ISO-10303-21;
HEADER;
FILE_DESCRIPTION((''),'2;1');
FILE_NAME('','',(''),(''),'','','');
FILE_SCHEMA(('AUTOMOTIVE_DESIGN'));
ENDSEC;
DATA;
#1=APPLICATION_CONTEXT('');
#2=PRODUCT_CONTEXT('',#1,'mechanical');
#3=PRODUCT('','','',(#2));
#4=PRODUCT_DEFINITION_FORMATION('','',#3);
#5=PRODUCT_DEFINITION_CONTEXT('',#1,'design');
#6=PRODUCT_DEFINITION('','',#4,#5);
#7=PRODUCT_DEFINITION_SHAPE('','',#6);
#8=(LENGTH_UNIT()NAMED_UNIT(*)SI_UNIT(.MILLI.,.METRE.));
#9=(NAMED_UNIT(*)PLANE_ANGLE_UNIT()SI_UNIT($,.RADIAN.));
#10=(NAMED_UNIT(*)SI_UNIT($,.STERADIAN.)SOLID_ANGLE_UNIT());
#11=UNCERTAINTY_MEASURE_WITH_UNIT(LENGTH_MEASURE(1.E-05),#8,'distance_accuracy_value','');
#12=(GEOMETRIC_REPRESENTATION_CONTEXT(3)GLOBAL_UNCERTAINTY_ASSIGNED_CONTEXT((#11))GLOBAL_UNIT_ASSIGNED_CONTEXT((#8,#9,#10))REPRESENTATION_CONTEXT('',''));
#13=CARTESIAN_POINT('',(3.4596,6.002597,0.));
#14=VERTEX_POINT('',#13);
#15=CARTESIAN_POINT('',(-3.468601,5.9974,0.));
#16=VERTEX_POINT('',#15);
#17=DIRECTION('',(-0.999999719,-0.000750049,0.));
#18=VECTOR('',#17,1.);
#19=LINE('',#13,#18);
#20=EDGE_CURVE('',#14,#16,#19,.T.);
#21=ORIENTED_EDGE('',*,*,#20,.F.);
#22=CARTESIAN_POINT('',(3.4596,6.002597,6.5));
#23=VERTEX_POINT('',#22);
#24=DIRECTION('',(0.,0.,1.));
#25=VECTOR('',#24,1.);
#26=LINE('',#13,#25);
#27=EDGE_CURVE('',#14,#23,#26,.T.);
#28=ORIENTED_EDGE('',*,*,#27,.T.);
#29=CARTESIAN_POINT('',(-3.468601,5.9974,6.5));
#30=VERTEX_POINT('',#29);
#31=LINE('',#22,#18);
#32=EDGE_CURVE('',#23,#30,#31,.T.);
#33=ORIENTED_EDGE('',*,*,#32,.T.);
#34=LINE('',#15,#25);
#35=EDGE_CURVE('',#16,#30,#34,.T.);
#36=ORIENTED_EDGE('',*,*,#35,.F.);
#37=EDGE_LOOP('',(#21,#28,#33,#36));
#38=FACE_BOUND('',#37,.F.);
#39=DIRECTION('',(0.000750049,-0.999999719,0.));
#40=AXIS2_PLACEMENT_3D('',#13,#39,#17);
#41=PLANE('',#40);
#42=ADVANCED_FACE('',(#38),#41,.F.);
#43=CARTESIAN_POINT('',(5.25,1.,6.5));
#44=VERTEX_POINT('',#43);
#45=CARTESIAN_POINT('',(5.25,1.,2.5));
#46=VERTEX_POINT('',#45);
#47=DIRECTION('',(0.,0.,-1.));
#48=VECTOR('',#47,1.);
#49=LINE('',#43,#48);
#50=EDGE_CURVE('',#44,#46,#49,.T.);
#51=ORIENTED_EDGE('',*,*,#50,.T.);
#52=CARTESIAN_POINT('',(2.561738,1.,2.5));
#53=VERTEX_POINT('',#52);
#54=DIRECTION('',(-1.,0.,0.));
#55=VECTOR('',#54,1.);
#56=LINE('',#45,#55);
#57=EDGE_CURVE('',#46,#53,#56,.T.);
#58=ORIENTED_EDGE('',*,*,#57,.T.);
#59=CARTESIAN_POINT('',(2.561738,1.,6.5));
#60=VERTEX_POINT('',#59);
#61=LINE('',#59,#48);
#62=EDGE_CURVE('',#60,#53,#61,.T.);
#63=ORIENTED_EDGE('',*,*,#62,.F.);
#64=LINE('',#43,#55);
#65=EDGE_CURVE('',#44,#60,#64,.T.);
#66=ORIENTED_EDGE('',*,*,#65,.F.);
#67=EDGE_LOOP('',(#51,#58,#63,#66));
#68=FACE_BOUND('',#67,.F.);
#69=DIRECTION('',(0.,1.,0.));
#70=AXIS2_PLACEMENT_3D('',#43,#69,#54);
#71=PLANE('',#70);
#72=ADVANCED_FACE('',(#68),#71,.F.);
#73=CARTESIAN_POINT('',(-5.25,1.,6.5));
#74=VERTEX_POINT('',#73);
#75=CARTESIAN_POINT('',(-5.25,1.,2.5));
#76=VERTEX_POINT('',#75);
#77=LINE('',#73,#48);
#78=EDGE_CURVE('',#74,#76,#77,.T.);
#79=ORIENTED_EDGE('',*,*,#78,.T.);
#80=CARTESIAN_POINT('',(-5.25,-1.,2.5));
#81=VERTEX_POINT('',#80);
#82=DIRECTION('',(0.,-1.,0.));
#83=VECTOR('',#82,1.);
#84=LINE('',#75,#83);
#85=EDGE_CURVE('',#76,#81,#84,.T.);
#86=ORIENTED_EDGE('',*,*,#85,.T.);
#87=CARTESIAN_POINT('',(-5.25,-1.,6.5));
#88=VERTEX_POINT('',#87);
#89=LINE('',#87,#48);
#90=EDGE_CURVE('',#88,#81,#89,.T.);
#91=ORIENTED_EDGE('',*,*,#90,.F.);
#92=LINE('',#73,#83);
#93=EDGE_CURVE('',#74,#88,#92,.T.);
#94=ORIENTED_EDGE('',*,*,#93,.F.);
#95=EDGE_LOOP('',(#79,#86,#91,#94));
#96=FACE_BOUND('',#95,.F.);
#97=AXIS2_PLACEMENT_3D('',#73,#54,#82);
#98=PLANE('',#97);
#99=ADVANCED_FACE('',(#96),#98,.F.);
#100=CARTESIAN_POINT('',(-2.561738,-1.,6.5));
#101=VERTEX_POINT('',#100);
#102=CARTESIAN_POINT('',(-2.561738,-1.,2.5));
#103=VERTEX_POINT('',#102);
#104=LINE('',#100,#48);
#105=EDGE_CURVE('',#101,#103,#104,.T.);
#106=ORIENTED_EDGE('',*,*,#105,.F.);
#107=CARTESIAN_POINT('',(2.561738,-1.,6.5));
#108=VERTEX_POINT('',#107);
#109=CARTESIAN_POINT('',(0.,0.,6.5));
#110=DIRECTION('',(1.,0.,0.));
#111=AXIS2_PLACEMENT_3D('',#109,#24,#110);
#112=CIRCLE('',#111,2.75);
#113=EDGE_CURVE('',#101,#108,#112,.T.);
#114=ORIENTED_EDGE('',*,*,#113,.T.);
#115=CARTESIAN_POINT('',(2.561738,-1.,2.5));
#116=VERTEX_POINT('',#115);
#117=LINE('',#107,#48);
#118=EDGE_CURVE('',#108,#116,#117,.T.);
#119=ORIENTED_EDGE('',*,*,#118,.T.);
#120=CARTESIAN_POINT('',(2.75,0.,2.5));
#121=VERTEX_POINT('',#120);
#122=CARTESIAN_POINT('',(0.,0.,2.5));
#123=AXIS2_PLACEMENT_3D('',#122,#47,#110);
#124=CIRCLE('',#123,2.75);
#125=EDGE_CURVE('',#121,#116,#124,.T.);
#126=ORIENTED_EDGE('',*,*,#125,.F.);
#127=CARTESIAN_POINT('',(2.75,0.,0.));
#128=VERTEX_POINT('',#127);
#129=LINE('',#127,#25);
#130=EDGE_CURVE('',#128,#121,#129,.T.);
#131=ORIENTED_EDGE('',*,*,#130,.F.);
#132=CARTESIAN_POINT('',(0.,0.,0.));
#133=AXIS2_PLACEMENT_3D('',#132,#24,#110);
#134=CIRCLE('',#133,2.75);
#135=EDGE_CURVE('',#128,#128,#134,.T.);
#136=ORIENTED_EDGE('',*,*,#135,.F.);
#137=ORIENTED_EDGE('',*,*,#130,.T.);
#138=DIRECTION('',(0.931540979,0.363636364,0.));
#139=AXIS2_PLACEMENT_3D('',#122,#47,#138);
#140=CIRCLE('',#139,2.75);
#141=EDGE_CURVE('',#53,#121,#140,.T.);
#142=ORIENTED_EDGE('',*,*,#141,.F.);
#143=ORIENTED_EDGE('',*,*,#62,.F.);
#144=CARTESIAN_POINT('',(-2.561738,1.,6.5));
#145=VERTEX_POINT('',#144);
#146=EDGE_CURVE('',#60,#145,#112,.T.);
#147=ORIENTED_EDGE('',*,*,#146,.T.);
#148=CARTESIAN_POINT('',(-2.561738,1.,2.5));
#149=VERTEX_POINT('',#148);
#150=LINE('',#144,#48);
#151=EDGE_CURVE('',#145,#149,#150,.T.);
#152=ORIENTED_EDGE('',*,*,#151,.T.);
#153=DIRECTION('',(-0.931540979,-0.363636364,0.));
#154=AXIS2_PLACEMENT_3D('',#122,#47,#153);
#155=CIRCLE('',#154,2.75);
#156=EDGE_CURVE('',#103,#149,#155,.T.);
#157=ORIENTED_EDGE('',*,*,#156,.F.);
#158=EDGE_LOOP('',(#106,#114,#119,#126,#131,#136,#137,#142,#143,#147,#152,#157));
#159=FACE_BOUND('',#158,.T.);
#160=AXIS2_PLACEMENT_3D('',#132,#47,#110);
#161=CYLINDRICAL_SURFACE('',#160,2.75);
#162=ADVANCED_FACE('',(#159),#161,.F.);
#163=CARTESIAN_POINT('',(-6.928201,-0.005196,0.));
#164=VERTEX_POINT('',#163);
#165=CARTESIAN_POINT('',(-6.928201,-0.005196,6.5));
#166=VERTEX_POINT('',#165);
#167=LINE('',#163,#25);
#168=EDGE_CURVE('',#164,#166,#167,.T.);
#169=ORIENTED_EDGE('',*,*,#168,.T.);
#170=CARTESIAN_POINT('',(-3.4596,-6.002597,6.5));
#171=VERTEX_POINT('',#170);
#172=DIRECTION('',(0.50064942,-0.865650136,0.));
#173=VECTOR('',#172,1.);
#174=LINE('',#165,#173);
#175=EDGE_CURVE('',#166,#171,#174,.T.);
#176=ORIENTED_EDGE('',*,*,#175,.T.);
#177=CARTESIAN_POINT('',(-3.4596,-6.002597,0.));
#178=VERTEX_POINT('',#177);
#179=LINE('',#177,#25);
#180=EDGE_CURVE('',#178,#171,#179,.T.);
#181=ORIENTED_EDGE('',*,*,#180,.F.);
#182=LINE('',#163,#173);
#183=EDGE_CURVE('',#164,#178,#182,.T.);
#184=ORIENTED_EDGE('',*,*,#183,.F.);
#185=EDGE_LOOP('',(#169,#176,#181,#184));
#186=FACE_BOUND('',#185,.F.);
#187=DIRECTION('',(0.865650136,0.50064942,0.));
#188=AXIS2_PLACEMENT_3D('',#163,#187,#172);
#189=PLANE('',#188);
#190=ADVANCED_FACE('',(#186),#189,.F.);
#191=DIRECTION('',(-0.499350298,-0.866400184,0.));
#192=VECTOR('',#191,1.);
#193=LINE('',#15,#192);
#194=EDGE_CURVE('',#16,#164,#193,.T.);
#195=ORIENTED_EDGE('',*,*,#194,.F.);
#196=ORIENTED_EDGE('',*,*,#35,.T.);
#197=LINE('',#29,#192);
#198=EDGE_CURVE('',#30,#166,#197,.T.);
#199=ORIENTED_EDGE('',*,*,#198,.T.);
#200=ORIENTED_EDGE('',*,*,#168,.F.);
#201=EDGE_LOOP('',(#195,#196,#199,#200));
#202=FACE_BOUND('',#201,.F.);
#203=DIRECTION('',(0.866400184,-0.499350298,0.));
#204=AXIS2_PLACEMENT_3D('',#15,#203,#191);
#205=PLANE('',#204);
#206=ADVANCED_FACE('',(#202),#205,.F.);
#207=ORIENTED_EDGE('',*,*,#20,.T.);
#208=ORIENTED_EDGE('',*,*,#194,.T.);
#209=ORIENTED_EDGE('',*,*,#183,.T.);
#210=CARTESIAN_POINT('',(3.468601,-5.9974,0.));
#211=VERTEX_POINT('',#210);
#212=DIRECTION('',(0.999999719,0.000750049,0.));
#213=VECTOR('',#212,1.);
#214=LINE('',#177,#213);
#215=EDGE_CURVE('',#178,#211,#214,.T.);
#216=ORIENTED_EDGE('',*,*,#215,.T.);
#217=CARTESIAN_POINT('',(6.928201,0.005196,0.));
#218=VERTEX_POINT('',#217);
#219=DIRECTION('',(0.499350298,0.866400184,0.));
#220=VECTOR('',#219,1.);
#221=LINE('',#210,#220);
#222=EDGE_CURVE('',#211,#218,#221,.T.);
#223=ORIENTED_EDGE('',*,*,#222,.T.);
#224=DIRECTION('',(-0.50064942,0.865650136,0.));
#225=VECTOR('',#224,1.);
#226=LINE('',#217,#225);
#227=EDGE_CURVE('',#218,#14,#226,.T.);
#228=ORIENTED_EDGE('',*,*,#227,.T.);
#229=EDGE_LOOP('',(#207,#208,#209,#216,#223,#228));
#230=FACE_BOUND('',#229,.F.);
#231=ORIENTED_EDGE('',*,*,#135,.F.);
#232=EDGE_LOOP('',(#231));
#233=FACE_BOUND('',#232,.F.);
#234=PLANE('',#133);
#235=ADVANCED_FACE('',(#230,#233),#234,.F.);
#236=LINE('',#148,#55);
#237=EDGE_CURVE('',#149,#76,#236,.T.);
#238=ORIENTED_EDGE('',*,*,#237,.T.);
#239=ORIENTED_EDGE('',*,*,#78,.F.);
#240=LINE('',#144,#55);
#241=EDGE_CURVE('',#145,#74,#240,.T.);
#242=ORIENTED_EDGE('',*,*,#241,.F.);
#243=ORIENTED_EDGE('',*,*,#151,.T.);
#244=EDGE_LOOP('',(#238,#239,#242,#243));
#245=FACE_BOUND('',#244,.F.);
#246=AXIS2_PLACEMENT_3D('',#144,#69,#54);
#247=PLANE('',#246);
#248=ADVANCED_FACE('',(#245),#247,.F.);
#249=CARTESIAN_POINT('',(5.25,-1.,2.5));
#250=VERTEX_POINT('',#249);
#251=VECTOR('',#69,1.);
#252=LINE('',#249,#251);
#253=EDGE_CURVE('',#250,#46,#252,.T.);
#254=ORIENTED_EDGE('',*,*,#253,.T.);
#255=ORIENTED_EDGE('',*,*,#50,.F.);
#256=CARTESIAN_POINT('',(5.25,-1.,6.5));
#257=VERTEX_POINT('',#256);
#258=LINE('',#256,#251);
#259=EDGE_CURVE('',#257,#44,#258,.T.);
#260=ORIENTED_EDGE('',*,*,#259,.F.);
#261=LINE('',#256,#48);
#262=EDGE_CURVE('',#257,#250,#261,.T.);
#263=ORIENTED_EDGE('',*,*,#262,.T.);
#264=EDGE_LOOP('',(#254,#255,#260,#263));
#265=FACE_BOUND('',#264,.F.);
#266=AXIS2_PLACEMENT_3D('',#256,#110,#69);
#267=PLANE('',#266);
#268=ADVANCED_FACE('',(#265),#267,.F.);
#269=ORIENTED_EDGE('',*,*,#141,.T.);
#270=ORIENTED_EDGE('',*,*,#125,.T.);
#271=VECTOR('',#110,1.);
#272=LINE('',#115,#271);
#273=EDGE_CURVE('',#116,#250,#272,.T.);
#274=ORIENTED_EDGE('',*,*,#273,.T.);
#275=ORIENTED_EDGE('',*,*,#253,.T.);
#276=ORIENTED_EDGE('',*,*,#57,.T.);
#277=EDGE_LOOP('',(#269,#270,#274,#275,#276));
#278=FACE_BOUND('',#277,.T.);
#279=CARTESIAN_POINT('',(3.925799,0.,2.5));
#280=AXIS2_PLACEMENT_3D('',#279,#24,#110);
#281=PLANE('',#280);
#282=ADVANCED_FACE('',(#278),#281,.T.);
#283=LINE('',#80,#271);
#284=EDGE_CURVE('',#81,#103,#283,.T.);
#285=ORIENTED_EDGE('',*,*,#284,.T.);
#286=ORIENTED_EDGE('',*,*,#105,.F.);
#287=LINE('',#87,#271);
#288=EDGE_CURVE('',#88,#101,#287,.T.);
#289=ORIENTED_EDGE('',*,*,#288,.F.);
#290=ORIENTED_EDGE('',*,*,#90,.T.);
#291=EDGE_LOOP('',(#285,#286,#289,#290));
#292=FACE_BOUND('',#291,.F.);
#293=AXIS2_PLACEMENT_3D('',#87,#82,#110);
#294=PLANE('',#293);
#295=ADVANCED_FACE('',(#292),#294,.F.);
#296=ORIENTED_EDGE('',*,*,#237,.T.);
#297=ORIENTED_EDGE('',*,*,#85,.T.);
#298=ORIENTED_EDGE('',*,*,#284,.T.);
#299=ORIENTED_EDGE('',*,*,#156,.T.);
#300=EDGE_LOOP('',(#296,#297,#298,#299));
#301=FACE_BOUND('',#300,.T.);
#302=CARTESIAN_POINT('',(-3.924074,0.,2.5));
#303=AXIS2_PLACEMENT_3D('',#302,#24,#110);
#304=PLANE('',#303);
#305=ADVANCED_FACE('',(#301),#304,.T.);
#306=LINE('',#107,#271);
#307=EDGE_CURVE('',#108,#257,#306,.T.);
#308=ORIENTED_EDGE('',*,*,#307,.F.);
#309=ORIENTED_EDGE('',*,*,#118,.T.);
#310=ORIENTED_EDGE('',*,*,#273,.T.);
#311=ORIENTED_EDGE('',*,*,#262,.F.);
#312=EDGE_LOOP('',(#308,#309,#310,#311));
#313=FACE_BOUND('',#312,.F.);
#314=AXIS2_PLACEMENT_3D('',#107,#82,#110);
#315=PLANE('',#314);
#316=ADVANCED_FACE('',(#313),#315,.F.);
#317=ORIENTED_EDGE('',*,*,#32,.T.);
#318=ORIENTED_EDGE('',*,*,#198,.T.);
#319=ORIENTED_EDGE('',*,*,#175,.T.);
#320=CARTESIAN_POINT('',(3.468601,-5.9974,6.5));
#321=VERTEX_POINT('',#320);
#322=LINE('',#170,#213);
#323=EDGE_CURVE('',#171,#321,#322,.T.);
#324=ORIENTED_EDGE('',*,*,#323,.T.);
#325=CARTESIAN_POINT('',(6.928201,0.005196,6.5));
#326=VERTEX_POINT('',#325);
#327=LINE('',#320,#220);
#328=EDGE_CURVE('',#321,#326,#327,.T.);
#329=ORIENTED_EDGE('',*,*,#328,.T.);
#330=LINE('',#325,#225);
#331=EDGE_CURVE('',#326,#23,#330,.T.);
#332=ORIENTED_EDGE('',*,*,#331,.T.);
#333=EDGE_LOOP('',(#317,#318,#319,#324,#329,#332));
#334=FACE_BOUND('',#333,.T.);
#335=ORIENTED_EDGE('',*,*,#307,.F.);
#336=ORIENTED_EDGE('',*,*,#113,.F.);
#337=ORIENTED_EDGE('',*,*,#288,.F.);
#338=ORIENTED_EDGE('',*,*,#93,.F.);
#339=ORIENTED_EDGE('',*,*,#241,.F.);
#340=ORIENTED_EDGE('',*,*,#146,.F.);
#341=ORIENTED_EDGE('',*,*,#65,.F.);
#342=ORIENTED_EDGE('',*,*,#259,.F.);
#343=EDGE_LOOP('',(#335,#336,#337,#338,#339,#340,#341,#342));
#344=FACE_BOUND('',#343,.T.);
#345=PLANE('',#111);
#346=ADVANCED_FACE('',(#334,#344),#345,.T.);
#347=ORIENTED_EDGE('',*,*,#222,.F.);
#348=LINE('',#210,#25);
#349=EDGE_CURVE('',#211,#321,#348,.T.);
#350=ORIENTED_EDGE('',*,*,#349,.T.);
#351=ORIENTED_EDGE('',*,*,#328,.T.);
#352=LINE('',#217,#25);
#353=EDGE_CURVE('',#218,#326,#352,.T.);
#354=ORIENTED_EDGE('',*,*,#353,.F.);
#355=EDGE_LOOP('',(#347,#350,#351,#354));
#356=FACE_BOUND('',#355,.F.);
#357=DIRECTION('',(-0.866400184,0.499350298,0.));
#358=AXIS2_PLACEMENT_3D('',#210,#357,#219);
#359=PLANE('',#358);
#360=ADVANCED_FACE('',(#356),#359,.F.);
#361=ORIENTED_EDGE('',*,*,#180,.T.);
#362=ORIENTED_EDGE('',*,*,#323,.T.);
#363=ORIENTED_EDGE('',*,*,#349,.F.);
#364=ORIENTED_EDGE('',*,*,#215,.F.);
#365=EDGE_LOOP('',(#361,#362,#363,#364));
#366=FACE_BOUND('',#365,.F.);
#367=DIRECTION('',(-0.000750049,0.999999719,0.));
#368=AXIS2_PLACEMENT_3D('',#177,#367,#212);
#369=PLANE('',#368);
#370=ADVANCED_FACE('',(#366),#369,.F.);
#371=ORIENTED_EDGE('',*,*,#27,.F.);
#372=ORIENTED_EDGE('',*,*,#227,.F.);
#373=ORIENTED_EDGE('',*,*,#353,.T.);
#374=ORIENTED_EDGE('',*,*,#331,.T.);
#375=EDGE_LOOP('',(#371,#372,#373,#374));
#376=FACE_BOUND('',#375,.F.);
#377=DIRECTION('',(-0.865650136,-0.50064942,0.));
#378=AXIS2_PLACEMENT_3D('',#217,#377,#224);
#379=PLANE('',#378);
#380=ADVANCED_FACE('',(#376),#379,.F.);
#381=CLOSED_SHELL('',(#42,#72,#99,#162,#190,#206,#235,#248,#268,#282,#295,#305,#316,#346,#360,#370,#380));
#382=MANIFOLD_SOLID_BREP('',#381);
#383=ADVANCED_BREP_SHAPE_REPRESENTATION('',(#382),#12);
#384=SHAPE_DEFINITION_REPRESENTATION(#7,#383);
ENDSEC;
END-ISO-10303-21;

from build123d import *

# Parameters (mm, degrees)
F0_R     = 2.75
F1_DEPTH = 6.5
F3_DEPTH = 4


with BuildPart() as f1:
    # F0 (on Top) → F1 (new body)
    with BuildSketch(Plane.XY):
        Polygon((3.4686009319, -5.997400068), (6.9282012815, 0.0051964886), (3.4596003496, 6.0025965566), (-3.4686009319, 5.997400068), (-6.9282012815, -0.0051964886), (-3.4596003496, -6.0025965566), align=None)
        Circle(F0_R, mode=Mode.SUBTRACT)
    extrude(amount=F1_DEPTH)

    # F2 (on face) → F3 (cut)
    with BuildSketch(Plane.XY.offset(6.5)):
        with BuildLine():
            Line((-5.25, -1), (-2.5617376915, -1))
            ThreePointArc((-2.5617376915, -1), (-2.75, 0), (-2.5617376915, 1))
            Line((-2.5617376915, 1), (-5.25, 1))
            Line((-5.25, 1), (-5.25, -1))
        make_face()
        with BuildLine():
            Line((2.5617376915, -1), (5.25, -1))
            Line((5.25, -1), (5.25, 1))
            Line((5.25, 1), (2.5617376915, 1))
            ThreePointArc((2.5617376915, 1), (2.7025246208, 0.5087835239), (2.75, 0))
            ThreePointArc((2.75, 0), (2.7025246208, -0.5087835239), (2.5617376915, -1))
        make_face()
    extrude(amount=-F3_DEPTH, mode=Mode.SUBTRACT)


solid = f1.part
